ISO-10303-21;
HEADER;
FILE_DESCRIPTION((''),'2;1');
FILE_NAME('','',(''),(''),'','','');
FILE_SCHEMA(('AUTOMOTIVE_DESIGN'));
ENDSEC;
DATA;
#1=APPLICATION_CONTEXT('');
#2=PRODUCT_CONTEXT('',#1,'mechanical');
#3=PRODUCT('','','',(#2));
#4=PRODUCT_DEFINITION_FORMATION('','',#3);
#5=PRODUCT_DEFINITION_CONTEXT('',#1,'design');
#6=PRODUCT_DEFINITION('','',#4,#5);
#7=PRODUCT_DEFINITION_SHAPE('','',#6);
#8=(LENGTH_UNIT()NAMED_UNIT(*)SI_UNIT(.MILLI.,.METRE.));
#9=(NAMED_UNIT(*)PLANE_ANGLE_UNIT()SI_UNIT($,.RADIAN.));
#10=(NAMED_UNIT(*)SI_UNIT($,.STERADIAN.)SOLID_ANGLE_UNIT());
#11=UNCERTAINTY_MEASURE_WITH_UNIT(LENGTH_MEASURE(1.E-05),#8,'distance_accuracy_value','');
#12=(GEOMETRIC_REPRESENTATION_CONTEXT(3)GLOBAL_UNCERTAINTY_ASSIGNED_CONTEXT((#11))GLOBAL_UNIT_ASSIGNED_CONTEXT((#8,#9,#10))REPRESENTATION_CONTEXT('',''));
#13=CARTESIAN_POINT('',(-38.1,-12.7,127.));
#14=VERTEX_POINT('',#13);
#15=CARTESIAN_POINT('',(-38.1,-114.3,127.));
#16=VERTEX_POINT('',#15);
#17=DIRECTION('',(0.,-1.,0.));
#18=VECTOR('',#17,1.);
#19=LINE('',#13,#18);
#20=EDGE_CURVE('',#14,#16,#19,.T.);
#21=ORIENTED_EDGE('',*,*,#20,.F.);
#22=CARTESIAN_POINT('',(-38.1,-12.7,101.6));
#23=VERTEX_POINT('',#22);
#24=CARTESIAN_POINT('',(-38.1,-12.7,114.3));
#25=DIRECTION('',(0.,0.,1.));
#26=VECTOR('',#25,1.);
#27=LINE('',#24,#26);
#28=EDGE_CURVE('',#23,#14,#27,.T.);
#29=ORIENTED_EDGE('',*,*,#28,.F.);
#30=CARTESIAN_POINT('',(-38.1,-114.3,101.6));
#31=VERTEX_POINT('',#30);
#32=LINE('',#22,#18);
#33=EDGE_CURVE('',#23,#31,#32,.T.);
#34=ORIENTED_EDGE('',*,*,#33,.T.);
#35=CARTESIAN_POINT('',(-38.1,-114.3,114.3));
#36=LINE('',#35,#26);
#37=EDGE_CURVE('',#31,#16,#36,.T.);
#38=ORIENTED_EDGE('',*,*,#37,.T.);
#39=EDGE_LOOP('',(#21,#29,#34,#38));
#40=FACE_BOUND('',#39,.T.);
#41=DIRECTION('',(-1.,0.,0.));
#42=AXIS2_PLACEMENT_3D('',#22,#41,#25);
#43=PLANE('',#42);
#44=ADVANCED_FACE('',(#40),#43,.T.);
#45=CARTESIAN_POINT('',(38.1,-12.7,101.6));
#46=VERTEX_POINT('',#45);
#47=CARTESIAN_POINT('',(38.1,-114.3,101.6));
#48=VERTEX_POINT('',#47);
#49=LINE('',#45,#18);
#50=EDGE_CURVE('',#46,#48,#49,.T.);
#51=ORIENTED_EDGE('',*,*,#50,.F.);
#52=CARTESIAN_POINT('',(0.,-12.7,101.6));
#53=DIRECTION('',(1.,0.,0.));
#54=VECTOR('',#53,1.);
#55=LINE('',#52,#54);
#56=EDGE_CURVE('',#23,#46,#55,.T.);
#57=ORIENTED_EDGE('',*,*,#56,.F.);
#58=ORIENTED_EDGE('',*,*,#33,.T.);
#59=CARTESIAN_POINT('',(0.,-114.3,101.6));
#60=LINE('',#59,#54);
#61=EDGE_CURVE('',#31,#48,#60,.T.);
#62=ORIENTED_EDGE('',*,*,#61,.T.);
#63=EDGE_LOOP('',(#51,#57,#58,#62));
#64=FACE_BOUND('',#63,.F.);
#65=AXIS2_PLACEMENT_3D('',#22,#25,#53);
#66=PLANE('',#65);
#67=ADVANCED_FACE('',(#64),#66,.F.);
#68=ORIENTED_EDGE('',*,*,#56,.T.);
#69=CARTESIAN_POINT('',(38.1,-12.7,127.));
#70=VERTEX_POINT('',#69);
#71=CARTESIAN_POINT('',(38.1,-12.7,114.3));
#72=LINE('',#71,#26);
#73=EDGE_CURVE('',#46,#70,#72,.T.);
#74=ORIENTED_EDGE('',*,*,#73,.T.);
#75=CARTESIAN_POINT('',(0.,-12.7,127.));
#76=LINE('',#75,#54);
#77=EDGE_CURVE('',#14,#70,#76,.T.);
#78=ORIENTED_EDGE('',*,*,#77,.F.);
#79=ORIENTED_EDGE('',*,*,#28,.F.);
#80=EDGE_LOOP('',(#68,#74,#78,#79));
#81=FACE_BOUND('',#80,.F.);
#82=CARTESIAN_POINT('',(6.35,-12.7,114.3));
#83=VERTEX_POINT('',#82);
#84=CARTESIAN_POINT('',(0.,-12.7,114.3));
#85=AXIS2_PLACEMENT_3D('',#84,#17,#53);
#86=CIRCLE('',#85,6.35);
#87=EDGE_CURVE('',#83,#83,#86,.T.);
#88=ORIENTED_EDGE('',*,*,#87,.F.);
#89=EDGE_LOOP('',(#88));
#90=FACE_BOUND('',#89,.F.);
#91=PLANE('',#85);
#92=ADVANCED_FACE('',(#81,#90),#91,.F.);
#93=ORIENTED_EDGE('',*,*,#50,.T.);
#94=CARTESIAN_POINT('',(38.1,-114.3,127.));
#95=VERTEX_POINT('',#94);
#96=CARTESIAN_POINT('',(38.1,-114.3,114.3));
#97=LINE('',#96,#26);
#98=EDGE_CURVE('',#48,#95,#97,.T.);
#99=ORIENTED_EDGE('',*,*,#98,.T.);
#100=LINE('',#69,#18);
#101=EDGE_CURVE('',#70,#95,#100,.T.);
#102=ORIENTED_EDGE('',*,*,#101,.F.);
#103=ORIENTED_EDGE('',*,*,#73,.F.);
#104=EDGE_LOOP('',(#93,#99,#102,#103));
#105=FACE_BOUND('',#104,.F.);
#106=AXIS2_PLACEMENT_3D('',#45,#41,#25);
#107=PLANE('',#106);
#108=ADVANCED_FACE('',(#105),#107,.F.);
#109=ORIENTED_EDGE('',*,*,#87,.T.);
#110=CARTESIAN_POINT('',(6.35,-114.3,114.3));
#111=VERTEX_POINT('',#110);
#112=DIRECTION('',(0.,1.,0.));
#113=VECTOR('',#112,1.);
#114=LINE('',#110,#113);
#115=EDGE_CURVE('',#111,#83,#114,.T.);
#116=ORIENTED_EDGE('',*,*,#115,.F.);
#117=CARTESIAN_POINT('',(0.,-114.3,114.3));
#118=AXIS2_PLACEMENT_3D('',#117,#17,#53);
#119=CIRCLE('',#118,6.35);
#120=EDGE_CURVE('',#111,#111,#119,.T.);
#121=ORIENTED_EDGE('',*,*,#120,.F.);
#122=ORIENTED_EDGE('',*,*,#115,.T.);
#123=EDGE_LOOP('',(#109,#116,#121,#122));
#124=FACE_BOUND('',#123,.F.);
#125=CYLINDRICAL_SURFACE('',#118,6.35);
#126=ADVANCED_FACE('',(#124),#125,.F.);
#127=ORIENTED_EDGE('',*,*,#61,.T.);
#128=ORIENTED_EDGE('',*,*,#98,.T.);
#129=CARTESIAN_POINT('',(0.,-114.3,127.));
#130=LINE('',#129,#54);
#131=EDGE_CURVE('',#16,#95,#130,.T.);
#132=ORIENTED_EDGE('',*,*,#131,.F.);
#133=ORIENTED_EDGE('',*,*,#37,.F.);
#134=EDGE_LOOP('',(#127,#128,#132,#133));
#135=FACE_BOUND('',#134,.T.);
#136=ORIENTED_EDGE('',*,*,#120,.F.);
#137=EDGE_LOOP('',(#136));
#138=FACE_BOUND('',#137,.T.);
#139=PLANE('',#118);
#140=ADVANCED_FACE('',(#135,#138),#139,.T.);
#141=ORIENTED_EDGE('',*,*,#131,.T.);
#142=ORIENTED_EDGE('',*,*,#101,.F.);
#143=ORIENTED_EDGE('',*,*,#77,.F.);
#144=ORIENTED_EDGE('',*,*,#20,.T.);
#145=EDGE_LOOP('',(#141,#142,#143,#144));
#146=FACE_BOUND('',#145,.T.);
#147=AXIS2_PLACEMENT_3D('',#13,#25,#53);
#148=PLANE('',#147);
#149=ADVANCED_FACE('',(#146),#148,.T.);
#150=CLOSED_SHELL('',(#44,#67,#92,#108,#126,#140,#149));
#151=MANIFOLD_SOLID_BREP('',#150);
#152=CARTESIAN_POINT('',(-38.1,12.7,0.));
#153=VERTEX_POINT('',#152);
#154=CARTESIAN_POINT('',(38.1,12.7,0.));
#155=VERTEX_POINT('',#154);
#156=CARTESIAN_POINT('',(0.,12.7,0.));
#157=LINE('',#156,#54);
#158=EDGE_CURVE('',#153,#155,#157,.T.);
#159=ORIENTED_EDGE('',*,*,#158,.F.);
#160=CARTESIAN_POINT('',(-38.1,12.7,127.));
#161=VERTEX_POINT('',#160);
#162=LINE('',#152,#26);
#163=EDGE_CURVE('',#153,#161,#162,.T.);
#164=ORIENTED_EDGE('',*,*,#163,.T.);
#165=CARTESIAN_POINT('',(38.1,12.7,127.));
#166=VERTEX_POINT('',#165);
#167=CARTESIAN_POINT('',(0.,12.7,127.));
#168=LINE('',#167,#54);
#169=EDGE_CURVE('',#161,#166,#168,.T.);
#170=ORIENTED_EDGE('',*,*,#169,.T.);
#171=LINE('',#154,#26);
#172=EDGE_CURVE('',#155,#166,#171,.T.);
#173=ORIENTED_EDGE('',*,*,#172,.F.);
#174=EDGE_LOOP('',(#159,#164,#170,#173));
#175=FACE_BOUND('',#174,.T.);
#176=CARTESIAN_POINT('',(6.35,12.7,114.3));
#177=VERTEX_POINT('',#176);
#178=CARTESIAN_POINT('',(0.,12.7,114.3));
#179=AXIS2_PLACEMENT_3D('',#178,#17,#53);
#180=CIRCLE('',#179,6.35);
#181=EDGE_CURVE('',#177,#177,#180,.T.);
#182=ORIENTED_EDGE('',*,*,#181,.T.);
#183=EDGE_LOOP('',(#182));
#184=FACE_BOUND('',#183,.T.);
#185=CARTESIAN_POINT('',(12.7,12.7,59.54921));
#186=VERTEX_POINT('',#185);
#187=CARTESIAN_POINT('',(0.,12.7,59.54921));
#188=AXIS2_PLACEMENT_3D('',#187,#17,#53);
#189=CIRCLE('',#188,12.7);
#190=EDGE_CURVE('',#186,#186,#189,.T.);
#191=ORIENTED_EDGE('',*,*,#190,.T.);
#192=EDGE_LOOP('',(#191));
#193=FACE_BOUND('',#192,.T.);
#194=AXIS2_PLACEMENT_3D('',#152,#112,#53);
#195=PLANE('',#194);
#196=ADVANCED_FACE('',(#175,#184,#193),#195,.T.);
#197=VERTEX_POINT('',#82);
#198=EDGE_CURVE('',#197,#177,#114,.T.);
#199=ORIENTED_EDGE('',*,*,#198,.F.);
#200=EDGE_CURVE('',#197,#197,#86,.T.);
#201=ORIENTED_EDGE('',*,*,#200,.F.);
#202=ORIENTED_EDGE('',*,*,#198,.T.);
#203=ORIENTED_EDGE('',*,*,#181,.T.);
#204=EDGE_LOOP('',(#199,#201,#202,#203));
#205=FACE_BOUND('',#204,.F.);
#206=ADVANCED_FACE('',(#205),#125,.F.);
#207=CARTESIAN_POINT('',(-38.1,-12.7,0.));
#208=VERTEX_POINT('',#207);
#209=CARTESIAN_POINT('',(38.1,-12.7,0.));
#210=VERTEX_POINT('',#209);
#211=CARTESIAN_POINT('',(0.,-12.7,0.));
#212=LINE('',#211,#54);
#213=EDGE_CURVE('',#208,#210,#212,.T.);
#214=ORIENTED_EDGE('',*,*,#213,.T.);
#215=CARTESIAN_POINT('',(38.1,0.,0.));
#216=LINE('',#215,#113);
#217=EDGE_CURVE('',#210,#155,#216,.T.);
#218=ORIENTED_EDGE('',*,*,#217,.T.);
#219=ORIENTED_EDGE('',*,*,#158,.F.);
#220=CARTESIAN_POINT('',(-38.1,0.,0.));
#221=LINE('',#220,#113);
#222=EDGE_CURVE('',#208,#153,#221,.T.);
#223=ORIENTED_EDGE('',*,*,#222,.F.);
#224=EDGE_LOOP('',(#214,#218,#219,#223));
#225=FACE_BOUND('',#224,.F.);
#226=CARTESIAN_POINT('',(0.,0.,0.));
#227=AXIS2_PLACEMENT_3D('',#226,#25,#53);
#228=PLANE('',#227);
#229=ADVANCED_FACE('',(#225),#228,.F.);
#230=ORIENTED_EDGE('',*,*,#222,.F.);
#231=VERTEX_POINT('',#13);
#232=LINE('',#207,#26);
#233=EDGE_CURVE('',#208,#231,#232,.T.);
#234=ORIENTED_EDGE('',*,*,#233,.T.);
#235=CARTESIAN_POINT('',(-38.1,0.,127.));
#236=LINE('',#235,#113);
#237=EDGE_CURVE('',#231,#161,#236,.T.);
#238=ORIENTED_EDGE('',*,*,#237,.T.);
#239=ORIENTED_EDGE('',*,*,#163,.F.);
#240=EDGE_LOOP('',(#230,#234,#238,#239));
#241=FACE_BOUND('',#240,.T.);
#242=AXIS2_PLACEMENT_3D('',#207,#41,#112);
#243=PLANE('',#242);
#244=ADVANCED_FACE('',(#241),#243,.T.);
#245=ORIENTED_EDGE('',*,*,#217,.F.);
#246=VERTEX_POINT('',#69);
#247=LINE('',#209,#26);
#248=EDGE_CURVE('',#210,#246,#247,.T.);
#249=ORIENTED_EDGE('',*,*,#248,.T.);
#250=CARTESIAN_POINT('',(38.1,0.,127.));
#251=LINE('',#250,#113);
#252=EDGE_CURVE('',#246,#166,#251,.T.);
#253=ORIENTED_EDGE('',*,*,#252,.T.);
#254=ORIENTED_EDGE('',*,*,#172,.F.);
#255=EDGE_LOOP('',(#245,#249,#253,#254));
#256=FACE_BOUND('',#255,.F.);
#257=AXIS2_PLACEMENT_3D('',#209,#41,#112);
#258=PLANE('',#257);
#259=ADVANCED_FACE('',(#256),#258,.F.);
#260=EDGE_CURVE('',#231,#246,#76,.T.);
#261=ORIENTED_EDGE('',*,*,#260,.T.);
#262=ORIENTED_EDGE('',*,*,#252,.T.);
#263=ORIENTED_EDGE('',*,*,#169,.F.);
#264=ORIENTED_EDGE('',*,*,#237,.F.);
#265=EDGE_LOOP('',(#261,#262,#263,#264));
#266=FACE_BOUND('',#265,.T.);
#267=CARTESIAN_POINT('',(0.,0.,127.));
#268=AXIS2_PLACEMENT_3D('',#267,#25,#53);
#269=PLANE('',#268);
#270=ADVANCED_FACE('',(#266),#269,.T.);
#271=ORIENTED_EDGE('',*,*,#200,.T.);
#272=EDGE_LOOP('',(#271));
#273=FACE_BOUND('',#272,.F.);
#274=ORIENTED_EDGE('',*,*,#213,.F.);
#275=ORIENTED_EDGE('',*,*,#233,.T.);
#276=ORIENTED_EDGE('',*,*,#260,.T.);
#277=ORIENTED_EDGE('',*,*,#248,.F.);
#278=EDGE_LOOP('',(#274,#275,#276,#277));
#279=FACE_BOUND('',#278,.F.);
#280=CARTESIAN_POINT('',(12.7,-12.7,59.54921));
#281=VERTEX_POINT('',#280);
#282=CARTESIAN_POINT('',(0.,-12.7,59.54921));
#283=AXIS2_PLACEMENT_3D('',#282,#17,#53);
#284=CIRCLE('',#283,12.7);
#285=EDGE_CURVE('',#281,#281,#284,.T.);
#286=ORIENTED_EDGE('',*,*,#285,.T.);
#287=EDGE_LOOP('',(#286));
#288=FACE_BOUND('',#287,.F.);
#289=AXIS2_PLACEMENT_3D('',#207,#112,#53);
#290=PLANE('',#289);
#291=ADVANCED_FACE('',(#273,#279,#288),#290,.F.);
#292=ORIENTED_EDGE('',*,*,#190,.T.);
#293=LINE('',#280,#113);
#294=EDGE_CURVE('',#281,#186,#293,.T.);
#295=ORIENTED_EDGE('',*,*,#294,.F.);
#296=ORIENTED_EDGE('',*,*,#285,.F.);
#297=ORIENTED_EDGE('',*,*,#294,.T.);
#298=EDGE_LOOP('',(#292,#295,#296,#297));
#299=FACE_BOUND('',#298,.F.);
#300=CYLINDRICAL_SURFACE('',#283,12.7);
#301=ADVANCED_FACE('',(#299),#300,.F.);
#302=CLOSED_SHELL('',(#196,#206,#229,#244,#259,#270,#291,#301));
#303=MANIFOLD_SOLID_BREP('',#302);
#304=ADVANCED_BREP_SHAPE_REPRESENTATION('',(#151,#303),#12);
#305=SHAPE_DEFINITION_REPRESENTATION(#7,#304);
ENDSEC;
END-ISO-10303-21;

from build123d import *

# Parameters (mm, degrees)
F0_W     = 76.2
F0_H     = 25.4
F1_DEPTH = 127
F2_R     = 12.7
F3_DEPTH = 25.401
F4_W     = 76.2
F4_H     = 25.4
F5_DEPTH = 101.6
F6_R     = 6.35
F7_DEPTH = 127.001
F8_R     = 6.35
F9_DEPTH = 25.401


with BuildPart() as f1:
    # F0 (on Top) → F1 (new body)
    with BuildSketch(Plane.XY):
        Rectangle(F0_W, F0_H)
    extrude(amount=F1_DEPTH)

    # F2 (on face) → F3 (cut, through all)
    with BuildSketch(Plane.XZ.offset(12.7)):
        with Locations((0, 59.5492098594)):
            Circle(F2_R)
    extrude(amount=-F3_DEPTH, mode=Mode.SUBTRACT)


with BuildPart() as f5:
    # F4 (on face) → F5 (new body)
    with BuildSketch(Plane.XZ.offset(12.7)):
        with Locations((0, 114.3)):
            Rectangle(F4_W, F4_H)
    extrude(amount=F5_DEPTH)


with BuildPart() as f7_tool:
    # F6 (on face) → F7 (new body, through all)
    with BuildSketch(Plane.XZ.offset(114.3)):
        with Locations((0, 114.3)):
            Circle(F6_R)
    extrude(amount=-F7_DEPTH)


with BuildPart() as f1_1:
    add(f1.part)

    # F7: cut by f7_tool
    add(f7_tool.part, mode=Mode.SUBTRACT)

    # F8 (on face) → F9 (cut, through all)
    with BuildSketch(Plane.XZ.offset(12.7)):
        with Locations((0, 114.3)):
            Circle(F8_R)
    extrude(amount=-F9_DEPTH, mode=Mode.SUBTRACT)


with BuildPart() as f5_1:
    add(f5.part)

    # F7: cut by f7_tool
    add(f7_tool.part, mode=Mode.SUBTRACT)


solid = Compound([f1_1.part, f5_1.part])
